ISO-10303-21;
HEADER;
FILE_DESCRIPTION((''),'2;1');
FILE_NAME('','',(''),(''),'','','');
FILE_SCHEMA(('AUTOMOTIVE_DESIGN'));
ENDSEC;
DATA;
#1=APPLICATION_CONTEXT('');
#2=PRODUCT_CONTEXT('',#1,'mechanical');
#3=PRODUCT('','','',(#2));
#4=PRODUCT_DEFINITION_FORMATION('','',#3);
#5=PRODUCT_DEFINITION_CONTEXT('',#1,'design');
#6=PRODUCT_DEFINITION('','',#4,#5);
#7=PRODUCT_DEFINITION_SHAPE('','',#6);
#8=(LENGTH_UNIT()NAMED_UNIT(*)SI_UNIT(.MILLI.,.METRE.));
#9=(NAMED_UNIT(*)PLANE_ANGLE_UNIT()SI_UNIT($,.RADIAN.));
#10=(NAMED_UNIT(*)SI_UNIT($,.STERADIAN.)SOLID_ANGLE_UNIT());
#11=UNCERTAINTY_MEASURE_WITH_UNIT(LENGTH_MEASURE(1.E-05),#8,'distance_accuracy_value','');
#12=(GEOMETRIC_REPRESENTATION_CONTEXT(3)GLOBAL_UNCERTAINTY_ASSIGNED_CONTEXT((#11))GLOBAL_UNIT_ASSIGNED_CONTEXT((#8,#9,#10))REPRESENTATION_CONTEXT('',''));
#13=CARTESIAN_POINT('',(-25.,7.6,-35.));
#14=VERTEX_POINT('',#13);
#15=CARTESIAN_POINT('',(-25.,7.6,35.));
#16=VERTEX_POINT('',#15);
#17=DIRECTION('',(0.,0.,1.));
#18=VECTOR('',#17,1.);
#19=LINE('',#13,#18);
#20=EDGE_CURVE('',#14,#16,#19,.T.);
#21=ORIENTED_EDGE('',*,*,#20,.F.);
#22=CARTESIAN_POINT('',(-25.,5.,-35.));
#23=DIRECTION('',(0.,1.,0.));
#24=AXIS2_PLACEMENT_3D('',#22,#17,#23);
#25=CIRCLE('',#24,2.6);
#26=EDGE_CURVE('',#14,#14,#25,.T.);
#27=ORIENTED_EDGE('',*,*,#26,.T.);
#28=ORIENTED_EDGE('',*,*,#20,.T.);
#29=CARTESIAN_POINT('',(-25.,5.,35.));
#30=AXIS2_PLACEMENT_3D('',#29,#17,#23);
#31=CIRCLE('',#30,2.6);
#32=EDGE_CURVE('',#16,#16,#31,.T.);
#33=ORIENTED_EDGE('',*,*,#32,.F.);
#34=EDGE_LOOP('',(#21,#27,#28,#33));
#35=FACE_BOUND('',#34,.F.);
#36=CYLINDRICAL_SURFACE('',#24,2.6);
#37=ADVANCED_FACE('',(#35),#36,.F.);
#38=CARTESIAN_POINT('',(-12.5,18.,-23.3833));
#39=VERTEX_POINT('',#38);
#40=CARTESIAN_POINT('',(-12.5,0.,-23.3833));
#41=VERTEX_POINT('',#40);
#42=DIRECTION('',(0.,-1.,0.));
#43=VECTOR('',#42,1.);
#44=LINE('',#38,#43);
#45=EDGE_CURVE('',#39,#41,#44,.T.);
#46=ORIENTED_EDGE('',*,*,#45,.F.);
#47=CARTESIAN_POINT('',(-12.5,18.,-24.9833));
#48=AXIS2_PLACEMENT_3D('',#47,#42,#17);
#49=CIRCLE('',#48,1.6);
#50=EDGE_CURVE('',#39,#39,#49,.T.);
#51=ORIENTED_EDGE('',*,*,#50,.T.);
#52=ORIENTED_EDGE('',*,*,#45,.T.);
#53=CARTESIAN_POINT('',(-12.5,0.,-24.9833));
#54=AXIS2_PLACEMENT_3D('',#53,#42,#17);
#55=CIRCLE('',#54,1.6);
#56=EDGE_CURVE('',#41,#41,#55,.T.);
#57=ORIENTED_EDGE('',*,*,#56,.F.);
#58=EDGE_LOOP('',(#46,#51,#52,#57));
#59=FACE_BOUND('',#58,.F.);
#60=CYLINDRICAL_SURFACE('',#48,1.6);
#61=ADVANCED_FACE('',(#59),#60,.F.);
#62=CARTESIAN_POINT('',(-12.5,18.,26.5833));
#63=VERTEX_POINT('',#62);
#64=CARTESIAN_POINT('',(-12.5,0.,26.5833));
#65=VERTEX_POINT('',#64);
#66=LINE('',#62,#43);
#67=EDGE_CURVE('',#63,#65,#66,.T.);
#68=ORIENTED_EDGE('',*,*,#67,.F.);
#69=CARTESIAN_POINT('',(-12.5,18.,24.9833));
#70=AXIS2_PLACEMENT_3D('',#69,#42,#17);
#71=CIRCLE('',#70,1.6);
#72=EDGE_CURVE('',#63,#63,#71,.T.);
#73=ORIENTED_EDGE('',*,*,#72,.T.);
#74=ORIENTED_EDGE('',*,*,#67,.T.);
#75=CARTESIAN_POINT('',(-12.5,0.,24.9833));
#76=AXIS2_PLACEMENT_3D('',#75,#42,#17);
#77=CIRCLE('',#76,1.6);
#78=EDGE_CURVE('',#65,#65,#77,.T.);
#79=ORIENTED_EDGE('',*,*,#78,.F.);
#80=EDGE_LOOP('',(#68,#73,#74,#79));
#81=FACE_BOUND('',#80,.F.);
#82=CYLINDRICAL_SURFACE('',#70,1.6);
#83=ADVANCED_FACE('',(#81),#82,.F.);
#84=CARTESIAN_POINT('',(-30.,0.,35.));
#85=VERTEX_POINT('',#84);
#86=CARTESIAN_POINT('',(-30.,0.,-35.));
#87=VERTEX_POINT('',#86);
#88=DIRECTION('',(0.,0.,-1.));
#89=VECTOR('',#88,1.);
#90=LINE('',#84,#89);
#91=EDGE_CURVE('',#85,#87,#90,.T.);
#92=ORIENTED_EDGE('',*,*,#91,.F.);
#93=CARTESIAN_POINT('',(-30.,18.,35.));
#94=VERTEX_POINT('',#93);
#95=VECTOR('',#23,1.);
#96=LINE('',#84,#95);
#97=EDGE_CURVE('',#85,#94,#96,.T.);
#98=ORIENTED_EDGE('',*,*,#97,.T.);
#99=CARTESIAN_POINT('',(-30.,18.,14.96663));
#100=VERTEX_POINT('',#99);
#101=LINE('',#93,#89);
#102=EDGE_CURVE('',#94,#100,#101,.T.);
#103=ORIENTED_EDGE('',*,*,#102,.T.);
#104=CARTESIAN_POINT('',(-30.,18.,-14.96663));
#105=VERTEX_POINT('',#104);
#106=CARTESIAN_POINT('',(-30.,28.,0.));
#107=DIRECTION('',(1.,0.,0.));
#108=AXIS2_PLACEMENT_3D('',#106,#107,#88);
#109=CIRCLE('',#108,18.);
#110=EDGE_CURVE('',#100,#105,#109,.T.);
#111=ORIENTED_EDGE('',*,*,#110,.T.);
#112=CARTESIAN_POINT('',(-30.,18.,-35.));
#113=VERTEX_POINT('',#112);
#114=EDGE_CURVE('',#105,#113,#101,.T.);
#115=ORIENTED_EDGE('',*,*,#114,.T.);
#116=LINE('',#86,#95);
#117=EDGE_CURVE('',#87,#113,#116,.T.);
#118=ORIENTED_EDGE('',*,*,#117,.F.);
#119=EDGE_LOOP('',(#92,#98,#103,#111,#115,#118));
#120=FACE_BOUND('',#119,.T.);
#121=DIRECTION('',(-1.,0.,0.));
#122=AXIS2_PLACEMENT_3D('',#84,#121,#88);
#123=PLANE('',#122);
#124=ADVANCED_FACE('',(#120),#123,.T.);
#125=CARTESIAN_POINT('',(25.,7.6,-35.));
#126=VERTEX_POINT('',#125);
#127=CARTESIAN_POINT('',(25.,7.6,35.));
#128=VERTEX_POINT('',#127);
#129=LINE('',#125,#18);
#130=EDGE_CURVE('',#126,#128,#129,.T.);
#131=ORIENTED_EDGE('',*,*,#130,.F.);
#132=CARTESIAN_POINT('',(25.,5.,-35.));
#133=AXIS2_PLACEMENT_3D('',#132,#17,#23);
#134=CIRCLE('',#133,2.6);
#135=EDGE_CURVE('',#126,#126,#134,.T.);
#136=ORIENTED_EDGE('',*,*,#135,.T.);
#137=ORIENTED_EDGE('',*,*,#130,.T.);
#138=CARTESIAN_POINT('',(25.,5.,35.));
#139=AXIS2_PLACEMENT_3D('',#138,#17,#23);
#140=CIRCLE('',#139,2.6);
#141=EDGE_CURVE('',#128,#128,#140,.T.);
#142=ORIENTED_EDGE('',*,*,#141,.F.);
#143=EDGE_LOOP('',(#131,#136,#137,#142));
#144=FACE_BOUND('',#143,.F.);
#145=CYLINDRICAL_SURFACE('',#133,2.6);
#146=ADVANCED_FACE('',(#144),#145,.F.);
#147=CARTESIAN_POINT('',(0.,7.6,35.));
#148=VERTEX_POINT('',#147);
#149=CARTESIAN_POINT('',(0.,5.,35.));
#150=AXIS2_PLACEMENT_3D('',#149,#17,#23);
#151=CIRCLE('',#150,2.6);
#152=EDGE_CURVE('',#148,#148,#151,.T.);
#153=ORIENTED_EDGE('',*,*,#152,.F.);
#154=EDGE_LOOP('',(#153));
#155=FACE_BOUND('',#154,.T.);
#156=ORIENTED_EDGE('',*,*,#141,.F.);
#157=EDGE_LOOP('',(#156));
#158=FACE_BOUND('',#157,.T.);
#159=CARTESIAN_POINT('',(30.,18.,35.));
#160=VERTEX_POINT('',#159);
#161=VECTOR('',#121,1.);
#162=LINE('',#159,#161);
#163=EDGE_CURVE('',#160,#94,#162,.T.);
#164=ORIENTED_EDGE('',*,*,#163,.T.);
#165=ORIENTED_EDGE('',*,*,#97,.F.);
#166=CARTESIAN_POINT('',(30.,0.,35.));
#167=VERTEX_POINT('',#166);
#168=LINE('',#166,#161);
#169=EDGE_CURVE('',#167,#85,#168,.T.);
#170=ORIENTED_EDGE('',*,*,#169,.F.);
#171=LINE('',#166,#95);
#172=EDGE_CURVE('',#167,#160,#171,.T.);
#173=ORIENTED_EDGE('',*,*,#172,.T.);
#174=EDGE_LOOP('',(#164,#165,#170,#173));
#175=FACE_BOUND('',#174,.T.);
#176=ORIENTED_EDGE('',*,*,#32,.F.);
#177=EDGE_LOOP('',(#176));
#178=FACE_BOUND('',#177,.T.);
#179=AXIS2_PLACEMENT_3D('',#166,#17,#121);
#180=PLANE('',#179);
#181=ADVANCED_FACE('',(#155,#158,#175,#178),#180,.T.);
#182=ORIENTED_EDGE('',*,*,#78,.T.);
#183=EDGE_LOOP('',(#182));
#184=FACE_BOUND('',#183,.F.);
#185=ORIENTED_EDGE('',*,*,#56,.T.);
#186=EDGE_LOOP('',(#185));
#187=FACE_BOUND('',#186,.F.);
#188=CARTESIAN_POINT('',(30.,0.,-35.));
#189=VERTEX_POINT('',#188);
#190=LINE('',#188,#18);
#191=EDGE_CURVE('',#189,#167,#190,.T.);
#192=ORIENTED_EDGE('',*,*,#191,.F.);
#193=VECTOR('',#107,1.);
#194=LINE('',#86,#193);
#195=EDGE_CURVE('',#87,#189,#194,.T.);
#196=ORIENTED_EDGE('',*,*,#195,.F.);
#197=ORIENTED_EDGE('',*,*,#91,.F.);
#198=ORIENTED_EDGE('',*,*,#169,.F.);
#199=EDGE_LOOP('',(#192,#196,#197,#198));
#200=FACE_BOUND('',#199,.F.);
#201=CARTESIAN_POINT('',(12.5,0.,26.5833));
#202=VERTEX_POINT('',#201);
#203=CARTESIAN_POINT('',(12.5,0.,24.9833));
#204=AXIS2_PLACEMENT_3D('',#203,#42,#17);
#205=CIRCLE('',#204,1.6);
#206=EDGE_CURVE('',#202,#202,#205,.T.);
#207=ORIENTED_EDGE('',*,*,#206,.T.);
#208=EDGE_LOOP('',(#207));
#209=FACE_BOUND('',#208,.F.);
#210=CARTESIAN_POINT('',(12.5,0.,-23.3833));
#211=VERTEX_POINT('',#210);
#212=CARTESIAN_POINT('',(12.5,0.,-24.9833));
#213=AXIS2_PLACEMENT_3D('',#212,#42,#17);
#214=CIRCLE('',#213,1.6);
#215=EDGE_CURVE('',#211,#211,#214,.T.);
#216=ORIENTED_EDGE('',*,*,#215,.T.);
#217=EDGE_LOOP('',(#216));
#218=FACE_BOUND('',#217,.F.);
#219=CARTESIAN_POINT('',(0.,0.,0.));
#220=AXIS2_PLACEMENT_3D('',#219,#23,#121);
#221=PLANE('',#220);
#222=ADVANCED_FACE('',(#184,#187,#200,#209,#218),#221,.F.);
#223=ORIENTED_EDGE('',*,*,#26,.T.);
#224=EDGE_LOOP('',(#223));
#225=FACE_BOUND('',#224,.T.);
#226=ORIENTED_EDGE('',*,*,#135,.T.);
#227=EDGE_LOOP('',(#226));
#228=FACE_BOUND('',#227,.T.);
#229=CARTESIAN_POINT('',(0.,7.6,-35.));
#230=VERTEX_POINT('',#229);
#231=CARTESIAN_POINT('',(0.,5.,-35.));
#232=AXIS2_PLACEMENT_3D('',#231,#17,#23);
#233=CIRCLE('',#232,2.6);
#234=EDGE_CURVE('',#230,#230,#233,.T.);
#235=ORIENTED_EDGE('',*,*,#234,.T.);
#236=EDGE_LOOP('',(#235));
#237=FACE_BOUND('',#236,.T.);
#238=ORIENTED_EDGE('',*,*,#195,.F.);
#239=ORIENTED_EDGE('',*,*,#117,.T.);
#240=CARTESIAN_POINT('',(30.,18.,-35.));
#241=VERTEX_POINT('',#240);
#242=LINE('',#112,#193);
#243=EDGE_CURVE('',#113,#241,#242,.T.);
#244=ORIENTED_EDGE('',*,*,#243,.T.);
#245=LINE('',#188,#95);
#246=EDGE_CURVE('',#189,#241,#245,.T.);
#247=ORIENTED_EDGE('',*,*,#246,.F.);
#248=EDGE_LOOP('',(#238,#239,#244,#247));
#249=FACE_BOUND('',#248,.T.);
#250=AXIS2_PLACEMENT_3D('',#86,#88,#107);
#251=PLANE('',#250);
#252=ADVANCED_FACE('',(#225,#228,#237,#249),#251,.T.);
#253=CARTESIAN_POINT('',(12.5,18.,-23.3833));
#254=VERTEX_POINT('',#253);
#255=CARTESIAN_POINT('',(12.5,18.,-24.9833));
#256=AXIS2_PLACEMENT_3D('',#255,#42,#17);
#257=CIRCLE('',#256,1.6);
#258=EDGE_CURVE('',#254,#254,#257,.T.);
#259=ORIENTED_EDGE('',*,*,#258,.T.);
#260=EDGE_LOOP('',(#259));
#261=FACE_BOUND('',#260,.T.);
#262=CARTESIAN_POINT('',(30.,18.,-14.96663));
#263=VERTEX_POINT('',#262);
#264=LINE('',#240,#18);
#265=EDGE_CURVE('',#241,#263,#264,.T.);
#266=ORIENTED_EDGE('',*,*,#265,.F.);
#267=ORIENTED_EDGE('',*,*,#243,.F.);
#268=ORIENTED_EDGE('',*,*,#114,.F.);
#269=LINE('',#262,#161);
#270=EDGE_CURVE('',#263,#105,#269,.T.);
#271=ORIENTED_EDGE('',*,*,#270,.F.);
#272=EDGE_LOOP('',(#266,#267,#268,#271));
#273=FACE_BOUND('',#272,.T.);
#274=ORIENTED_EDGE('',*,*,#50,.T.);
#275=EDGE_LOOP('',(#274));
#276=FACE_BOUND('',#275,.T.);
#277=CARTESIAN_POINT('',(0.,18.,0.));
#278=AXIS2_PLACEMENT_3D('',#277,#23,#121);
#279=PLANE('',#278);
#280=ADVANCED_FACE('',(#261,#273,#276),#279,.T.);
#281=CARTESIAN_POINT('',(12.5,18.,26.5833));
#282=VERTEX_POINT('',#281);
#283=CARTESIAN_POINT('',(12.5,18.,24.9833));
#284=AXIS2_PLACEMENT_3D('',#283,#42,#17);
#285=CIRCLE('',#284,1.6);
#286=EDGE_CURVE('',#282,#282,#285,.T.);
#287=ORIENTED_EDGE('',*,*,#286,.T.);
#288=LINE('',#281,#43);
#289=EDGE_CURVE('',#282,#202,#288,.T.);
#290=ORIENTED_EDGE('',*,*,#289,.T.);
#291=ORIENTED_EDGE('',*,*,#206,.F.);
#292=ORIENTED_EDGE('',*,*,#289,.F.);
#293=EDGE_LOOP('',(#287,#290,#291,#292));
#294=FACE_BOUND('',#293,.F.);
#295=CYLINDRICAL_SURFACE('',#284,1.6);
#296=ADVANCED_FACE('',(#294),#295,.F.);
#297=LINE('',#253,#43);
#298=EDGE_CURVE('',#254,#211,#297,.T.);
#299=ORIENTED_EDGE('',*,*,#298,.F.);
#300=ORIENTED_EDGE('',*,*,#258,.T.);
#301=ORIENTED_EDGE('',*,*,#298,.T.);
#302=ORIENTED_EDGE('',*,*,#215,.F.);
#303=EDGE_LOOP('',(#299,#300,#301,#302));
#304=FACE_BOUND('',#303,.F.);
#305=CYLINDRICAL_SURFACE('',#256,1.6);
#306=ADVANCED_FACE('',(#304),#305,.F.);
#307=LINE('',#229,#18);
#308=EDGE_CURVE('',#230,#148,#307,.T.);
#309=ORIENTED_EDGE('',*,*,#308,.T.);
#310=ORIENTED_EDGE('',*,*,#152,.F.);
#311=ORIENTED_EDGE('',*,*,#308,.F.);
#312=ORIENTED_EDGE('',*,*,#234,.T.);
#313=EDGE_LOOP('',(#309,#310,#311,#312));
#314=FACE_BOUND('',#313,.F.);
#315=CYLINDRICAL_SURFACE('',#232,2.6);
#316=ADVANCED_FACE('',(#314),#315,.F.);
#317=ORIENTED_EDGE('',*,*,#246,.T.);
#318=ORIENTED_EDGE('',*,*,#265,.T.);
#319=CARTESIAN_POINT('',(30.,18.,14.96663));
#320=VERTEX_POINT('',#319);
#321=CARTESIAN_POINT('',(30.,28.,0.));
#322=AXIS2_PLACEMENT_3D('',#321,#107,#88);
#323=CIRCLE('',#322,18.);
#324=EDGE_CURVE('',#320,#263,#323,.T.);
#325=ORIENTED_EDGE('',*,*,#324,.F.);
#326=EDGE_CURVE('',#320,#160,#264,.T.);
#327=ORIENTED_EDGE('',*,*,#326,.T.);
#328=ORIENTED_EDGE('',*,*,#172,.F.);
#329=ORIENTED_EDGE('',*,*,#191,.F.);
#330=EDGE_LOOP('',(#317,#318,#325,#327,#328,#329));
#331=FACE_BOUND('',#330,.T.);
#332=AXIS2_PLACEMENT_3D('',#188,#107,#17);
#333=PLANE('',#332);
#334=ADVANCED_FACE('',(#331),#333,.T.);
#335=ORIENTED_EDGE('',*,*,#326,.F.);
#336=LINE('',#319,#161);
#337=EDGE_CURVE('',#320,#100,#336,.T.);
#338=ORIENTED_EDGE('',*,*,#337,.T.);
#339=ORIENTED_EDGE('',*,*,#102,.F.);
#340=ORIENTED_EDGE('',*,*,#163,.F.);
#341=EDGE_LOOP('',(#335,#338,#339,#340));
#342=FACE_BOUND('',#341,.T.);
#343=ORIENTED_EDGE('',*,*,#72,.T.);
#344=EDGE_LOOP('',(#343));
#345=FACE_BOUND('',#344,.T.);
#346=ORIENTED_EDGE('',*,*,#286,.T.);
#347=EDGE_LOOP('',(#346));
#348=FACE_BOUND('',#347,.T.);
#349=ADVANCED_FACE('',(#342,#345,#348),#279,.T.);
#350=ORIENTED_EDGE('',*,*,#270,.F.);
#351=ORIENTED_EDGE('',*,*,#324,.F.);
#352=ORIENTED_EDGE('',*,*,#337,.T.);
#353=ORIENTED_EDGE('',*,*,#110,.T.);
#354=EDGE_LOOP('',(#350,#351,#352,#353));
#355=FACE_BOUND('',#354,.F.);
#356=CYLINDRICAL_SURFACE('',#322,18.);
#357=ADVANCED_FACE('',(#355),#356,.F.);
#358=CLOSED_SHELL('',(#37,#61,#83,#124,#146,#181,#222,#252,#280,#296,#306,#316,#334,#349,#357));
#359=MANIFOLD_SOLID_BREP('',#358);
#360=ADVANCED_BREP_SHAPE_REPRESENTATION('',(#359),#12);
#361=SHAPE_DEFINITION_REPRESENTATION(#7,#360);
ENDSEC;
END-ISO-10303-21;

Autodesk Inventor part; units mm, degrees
ref_plane "YZ Plane" through (0, 0, 0) normal (1, 0, 0) x (0, 1, 0)
ref_plane "XZ Plane" through (0, 0, 0) normal (0, 1, 0) x (-1, 0, 0)
ref_plane "XY Plane" through (0, 0, 0) normal (0, 0, 1) x (1, 0, 0)
sketch "Sketch1" plane through (0, 0, 0) normal (0, 1, 0) x (-1, 0, 0)
  line L0 (-30, 35) -> (30, 35)
  line L1 (30, 35) -> (30, -35)
  line L2 (30, -35) -> (-30, -35)
  line L3 (-30, -35) -> (-30, 35)
  line L4 (-30, 35) -> (30, -35) construction
  line L5 (30, 35) -> (-30, -35) construction
  point P0 (0, 0)
  dimension "d0" = 60
  dimension "d1" = 70
extrude "Extrusion1" add sketch "Sketch1" along normal blind 18
sketch "Sketch2" plane through (30, 0, -35) normal (0, 0, -1) x (-1, 0, 0)
  line L0 (0, 0) -> (60, 0) projected
  line L1 (60, 0) -> (60, 18) projected
  line L2 (0, 18) -> (60, 18) projected
  line L3 (0, 0) -> (0, 18) projected
  line L4 (0, 5) -> (60, 5) construction
  line L5 (30, 0) -> (30, 18) construction
  line L6 (0, 18) -> (60, 18) projected
  point P0 (5, 5)
  point P1 (30, 5)
  point P2 (55, 5)
  dimension "d4" = 5
  dimension "d6" = 5
hole "Hole1" at (25, 5, -35) at (0, 5, -35) at (-25, 5, -35) direction (0, 0, 1) diameter 5.2 end through all
sketch "Sketch3" plane through (30, 0, 35) normal (1, 0, 0) x (0, 0, -1)
  line L0 (0, 2.4) -> (70, 2.4) projected
  line L1 (0, 2.4) -> (0, 7.6) projected
  line L2 (70, 7.6) -> (70, 2.4) projected
  line L3 (0, 7.6) -> (70, 7.6) projected
  line L4 (0, 0) -> (70, 0) projected
  line L5 (70, 0) -> (70, 18) projected
  line L6 (0, 18) -> (70, 18) projected
  line L7 (0, 0) -> (0, 18) projected
  circle A0 centre (35, 28) radius 18
  point P0 (35, 0)
  point P1 (35, 0)
  point P2 (49.9666, 18)
  point P3 (20.0334, 18)
  dimension "d14" = 36
  dimension "d15" = 10
extrude "Extrusion2" cut sketch "Sketch3" against normal through all contours L6 A0 picked at (30.9706, 16.8877)
sketch "Sketch4" plane through (0, 18, 0) normal (0, 1, 0) x (1, 0, 0)
  line L0 (-22.4, -35) -> (-27.6, -35) projected
  line L1 (-27.6, 35) -> (-22.4, 35) projected
  line L2 (2.6, -35) -> (-2.6, -35) projected
  line L3 (-2.6, 35) -> (2.6, 35) projected
  line L4 (27.6, -35) -> (22.4, -35) projected
  line L5 (22.4, 35) -> (27.6, 35) projected
  line L6 (-30, -35) -> (30, -35) projected
  line L7 (-12.5, -35) -> (-12.5, 35) construction
  line L8 (2.6, 35) -> (22.4, 35)
  line L9 (2.6, -35) -> (2.6, 35) projected
  line L10 (-22.4, 35) -> (-2.6, 35)
  line L11 (-22.4, -35) -> (-22.4, 35) projected
  line L12 (12.5, 35) -> (12.5, -35) construction
  line L13 (-30, -14.9666) -> (-30, -35) projected
  line L14 (-30, 35) -> (-30, 14.9666) projected
  line L15 (-30, 24.9833) -> (10, 24.9833) construction
  line L16 (-30, -24.9833) -> (30, -24.9833) construction
  line L17 (30, -35) -> (30, -14.9666) projected
  point P0 (0, 0)
  point P1 (-12.5, -24.9833)
  point P2 (12.5, -24.9833)
  point P3 (12.5, 24.9833)
  point P4 (-12.5, 24.9833)
hole "Hole2" at (-12.5, 18, 24.9833) at (12.5, 18, 24.9833) at (12.5, 18, -24.9833) at (-12.5, 18, -24.9833) direction (0, -1, 0) diameter 3.2 end through all
properties part number "18_Kep_han_A" material "ABS Plastic"
